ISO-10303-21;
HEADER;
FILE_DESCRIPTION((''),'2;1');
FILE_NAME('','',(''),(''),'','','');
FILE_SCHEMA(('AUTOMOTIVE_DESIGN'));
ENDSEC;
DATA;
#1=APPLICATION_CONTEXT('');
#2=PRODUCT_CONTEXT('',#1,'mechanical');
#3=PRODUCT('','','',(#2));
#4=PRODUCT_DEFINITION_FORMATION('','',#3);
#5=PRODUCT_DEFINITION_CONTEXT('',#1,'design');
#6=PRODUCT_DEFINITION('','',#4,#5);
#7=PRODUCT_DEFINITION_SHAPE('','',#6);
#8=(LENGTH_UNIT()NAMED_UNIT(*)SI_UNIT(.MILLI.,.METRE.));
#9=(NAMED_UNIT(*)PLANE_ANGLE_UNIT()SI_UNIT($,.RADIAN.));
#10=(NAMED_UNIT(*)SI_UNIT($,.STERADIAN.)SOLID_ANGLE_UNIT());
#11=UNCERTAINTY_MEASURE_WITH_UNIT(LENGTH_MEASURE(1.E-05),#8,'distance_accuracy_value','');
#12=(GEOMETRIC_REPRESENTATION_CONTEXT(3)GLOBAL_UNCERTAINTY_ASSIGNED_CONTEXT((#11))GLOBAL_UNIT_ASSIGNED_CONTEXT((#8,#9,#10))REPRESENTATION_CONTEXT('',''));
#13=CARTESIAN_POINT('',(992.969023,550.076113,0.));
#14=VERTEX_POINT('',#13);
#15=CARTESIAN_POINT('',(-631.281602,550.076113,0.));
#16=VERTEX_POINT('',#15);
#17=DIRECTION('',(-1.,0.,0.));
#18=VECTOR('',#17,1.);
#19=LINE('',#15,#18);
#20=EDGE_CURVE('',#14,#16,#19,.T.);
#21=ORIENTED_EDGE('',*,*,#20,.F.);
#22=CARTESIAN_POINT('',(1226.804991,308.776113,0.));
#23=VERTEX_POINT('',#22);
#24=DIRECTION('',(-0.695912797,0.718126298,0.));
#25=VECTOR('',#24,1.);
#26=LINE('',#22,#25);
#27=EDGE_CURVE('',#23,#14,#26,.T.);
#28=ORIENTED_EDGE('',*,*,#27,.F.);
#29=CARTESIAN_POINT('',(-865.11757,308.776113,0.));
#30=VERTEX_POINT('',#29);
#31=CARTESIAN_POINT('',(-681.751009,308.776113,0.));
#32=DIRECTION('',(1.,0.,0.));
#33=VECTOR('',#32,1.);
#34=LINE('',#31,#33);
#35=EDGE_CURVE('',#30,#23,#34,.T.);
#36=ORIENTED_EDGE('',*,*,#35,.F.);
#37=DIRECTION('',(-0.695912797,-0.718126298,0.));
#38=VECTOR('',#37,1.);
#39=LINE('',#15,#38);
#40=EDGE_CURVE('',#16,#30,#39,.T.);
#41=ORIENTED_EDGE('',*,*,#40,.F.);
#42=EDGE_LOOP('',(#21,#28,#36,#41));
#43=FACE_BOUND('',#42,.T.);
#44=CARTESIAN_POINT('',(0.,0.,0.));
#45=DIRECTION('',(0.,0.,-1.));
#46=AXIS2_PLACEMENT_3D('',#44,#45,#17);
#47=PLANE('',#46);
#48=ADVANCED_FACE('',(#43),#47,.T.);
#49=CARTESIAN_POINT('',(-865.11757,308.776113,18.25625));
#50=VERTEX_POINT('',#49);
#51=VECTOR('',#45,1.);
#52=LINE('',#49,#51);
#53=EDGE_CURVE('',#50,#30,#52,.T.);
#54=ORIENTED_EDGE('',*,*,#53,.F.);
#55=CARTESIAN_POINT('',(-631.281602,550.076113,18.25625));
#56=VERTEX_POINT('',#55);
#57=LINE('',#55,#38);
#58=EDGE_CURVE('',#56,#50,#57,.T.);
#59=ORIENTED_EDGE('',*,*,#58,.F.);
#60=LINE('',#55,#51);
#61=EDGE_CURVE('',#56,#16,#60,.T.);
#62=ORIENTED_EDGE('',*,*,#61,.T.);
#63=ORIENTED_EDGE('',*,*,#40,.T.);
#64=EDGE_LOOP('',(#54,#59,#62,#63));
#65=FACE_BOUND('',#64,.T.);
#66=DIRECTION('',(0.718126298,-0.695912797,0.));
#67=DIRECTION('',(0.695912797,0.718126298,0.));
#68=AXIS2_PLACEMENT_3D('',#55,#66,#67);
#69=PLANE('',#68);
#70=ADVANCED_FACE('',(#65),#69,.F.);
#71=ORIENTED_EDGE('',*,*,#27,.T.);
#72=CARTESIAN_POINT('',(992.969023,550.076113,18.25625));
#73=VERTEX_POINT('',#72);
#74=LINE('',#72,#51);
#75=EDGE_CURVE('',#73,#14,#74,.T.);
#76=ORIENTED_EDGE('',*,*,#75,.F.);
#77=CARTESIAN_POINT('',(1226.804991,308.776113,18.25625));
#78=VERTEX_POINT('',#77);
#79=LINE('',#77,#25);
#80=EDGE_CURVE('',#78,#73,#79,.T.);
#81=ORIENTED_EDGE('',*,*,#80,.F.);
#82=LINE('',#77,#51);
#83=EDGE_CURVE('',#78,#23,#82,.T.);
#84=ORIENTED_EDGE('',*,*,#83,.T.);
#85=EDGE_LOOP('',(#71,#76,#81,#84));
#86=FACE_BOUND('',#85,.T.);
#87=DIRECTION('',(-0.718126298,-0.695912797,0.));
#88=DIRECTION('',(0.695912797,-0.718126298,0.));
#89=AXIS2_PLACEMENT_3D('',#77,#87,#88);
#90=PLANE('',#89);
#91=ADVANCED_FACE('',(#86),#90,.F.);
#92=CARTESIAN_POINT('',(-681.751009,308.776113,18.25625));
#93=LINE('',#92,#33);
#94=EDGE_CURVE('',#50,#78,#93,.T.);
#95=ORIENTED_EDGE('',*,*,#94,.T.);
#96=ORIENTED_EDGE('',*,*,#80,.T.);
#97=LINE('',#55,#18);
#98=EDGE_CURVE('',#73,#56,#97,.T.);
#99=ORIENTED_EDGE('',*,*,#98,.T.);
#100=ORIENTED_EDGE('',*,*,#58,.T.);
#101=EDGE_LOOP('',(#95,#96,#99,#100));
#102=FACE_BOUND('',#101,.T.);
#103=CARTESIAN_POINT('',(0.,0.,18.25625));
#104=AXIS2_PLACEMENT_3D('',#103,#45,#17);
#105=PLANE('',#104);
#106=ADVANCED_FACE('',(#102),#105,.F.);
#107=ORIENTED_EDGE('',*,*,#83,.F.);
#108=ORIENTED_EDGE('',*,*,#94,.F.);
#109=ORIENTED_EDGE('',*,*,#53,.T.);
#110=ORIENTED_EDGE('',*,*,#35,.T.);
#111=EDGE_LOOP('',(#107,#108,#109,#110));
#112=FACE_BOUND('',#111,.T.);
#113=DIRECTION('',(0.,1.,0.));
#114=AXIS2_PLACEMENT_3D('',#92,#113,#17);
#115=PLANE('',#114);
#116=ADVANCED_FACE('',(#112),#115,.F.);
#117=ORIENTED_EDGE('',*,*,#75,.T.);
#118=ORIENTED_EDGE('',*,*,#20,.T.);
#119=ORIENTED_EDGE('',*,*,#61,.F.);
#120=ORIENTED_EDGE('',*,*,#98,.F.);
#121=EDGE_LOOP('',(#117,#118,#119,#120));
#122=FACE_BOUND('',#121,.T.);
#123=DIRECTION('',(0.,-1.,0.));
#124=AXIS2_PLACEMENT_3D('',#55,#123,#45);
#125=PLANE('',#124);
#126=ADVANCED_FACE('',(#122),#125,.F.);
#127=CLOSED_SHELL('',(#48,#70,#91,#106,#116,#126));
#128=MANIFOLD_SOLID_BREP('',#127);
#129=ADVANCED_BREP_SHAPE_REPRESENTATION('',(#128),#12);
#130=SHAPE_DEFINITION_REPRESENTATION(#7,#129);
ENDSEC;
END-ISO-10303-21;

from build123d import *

# Parameters (mm, degrees)
BOSS_EXTRUDE1_DEPTH = 18.25625


with BuildPart() as part:
    # Sketch1 → Boss-Extrude1 (new body)
    with BuildSketch(Plane.XY):
        Polygon((1226.804990723, 308.776112521), (992.969022955, 550.076112521), (-631.281602045, 550.076112521), (-865.117569814, 308.776112521), (-681.751009277, 308.776112521), align=None)
    extrude(amount=BOSS_EXTRUDE1_DEPTH)


solid = part.part
